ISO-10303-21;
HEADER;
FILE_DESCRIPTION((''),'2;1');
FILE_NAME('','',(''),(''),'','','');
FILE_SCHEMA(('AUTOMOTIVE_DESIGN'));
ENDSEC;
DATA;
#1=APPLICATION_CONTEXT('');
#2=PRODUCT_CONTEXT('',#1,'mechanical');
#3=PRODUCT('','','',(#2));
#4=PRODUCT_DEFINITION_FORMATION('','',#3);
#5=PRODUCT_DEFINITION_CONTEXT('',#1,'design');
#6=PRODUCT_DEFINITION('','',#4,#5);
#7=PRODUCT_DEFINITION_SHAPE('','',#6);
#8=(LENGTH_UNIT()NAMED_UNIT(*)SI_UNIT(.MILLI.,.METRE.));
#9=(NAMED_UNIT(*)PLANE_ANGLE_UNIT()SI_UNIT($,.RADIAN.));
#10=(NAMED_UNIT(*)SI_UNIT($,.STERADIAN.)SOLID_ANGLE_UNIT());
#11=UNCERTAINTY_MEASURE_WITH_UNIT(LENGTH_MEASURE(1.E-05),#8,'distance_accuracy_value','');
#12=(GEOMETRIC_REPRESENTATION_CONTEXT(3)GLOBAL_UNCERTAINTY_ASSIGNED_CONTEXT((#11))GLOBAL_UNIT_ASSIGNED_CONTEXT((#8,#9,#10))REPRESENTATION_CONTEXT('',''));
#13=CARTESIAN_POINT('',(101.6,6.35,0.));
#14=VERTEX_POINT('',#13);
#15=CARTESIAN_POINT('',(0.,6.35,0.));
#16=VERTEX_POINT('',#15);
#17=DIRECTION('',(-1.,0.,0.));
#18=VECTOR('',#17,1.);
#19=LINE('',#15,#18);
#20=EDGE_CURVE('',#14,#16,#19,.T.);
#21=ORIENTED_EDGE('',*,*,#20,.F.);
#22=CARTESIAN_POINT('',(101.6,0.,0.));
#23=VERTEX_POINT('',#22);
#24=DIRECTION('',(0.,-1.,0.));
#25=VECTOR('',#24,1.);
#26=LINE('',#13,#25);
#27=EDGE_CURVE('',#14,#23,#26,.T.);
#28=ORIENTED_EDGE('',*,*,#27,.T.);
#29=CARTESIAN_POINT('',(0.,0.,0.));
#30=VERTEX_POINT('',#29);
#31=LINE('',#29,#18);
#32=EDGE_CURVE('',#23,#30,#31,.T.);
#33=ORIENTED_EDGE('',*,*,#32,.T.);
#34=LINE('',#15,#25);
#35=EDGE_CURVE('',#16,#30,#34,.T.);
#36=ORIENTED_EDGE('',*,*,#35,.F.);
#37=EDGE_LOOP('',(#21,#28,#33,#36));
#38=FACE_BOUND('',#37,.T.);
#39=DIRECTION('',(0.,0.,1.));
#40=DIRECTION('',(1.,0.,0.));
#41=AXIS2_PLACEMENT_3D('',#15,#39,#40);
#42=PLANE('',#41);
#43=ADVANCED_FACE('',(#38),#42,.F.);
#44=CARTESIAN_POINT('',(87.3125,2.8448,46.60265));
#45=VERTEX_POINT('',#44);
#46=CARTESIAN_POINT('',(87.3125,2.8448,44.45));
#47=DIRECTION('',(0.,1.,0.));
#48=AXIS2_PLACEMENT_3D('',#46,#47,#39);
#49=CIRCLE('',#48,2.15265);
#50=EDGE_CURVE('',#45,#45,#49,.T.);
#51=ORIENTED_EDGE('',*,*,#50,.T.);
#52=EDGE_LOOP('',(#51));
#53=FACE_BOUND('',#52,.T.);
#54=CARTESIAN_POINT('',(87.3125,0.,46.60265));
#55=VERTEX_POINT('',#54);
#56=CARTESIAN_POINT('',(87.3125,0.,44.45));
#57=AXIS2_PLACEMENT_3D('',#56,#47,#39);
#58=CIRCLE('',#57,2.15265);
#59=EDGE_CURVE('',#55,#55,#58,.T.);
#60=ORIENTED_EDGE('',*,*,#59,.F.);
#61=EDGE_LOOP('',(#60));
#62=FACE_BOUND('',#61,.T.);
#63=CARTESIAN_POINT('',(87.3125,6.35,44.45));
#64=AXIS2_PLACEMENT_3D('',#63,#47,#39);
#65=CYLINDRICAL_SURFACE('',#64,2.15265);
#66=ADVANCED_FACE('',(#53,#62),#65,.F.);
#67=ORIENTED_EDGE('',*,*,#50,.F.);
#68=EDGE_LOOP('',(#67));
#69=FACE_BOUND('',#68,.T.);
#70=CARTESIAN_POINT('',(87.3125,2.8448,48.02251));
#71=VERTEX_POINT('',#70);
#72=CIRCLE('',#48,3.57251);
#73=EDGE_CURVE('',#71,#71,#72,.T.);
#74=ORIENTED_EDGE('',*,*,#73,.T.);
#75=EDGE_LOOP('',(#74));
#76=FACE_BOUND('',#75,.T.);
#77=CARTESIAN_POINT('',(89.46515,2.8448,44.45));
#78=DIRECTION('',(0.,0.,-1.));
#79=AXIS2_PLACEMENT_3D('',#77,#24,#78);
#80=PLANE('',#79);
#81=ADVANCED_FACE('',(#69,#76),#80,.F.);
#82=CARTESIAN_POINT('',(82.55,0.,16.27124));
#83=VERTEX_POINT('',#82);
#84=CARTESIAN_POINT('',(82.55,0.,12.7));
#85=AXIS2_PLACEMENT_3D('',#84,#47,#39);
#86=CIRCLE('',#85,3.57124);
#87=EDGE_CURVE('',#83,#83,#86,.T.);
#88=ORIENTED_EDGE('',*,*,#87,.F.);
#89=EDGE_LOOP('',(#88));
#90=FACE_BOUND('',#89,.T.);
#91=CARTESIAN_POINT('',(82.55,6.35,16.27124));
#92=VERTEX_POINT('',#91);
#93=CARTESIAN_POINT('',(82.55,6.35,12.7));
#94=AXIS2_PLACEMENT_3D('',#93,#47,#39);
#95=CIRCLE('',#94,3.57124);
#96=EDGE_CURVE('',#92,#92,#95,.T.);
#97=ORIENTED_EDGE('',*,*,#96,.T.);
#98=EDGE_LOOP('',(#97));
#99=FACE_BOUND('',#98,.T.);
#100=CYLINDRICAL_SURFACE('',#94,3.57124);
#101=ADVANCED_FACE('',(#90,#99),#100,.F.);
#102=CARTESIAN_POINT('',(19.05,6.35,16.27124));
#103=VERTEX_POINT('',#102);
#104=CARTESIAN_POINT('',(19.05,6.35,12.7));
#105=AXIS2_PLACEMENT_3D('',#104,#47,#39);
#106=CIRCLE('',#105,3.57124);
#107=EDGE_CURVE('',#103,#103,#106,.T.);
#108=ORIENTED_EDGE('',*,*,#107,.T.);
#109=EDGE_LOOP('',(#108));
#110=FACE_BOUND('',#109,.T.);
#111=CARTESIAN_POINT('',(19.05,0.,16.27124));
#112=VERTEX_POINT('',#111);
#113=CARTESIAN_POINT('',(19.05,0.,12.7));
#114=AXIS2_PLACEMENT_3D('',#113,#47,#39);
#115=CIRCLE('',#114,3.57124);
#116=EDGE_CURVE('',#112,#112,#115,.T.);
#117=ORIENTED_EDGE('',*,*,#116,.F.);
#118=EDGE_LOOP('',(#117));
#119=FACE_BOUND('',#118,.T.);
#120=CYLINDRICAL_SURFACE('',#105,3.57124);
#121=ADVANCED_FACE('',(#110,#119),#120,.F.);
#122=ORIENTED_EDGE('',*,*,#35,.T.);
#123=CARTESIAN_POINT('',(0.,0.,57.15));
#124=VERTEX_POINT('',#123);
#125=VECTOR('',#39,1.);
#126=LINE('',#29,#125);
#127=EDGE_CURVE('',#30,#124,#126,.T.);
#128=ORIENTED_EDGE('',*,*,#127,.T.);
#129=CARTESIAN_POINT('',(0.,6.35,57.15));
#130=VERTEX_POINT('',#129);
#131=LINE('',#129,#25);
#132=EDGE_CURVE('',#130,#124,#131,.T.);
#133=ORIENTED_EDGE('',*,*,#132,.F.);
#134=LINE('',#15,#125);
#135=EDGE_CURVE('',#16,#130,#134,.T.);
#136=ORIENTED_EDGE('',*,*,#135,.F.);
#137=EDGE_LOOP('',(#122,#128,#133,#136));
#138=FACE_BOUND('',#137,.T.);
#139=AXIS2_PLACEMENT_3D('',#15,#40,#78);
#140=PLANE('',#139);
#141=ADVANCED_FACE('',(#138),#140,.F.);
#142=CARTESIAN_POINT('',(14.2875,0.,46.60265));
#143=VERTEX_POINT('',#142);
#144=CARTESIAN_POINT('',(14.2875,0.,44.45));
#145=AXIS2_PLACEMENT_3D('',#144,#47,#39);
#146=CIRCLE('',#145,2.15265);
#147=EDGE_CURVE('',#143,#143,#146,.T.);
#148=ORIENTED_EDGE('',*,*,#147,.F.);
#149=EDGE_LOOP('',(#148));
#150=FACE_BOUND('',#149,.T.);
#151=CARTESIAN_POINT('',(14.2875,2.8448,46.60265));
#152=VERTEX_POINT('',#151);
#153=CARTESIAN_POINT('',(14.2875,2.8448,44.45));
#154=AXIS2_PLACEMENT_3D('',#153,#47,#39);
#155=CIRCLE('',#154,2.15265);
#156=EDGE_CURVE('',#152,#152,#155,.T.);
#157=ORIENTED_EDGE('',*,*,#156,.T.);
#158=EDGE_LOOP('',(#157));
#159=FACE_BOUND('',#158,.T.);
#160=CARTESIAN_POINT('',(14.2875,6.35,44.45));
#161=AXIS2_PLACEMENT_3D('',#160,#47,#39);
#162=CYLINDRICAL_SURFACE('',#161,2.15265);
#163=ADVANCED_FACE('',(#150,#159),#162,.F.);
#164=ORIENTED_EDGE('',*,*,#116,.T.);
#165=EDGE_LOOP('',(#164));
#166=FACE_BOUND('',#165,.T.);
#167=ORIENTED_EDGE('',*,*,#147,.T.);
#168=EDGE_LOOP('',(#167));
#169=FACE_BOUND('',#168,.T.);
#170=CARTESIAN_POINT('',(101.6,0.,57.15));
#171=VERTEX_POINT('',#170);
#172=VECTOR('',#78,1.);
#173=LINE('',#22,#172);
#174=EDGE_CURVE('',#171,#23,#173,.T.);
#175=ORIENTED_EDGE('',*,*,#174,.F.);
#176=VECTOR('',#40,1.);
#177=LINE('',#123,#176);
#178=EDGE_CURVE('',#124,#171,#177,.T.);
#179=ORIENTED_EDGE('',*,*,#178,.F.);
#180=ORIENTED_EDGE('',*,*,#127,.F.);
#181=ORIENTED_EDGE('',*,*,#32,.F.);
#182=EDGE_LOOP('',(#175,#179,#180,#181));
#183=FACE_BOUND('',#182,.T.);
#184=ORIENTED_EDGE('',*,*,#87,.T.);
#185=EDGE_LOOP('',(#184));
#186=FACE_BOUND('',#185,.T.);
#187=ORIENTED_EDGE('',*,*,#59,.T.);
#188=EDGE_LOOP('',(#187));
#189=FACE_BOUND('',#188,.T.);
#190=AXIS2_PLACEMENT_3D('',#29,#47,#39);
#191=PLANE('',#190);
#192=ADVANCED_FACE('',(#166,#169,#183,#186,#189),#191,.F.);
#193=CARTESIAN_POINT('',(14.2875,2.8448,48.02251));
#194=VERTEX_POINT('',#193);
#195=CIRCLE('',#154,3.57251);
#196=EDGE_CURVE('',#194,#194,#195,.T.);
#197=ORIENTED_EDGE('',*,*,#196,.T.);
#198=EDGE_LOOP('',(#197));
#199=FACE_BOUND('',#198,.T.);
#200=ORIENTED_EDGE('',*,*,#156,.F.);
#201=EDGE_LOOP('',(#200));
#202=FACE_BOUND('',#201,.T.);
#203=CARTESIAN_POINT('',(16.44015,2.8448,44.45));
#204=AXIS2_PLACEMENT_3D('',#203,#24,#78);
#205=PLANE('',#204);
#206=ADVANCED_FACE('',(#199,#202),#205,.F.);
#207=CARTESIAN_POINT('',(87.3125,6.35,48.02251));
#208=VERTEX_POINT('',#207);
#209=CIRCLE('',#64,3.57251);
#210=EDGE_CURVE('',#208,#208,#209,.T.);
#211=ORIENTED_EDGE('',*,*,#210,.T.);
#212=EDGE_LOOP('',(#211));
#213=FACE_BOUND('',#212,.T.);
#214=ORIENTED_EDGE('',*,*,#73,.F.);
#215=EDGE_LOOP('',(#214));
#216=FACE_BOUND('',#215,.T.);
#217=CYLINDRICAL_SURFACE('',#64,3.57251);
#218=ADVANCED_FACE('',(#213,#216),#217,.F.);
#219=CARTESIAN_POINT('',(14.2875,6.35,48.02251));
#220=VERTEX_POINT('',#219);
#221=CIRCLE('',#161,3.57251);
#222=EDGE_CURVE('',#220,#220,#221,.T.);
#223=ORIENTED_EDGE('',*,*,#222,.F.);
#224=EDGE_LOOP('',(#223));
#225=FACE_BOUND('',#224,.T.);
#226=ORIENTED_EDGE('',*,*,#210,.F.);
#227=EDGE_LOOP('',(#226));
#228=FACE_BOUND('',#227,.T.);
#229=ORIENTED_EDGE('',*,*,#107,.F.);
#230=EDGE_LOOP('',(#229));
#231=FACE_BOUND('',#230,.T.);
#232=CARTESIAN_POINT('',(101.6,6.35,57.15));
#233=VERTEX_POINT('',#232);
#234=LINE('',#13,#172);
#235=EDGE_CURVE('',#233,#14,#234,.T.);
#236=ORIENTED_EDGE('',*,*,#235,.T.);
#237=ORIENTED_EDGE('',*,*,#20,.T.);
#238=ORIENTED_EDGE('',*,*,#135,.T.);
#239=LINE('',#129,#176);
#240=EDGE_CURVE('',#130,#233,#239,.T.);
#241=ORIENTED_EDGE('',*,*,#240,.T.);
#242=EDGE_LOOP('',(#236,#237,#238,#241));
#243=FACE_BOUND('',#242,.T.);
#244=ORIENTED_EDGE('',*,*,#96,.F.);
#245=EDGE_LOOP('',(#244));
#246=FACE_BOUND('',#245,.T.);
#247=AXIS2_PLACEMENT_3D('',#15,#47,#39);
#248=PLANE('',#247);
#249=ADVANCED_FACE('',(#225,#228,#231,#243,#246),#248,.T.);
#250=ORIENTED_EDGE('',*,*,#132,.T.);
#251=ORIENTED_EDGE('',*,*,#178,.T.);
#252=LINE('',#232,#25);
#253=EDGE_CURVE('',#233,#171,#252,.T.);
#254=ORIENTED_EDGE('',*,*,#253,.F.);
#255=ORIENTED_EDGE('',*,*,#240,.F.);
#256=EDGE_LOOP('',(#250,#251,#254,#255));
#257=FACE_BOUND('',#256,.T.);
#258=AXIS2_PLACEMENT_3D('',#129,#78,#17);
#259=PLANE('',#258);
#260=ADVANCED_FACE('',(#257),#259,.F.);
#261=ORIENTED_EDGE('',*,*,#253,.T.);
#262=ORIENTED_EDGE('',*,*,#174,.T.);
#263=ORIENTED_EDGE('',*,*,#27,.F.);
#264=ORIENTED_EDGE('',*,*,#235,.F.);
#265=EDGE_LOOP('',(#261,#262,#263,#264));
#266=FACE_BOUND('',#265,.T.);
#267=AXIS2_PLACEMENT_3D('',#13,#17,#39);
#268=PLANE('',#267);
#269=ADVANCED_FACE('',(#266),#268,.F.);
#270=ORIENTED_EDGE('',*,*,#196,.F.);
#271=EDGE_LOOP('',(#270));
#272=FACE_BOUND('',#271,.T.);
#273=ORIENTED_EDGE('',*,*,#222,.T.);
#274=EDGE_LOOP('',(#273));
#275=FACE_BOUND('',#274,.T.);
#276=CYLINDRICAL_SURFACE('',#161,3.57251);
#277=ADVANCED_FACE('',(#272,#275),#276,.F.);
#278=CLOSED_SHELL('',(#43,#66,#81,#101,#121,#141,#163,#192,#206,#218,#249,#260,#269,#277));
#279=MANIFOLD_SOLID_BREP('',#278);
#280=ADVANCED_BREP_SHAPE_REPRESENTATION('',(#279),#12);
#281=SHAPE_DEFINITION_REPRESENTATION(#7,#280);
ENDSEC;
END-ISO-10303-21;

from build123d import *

# Parameters (mm, degrees)
SKETCH1_W                                      = 101.6
SKETCH1_H                                      = 57.15
BOSS_EXTRUDE1_DEPTH                            = 6.35
CBORE_FOR_6_SOCKET_HEAD_CAP_SCREW1_D           = 4.3053
CBORE_FOR_6_SOCKET_HEAD_CAP_SCREW1_CBORE_D     = 7.14502
CBORE_FOR_6_SOCKET_HEAD_CAP_SCREW1_CBORE_DEPTH = 3.5052
F_1_4_CLEARANCE_HOLE1_D                        = 7.14248


with BuildPart() as part:
    # Sketch1 → Boss-Extrude1 (new body)
    with BuildSketch(Plane(origin=(0, 0, 0), x_dir=(1, 0, 0), z_dir=(0, 1, 0))):
        with Locations((50.8, -28.575)):
            Rectangle(SKETCH1_W, SKETCH1_H)
    extrude(amount=BOSS_EXTRUDE1_DEPTH)

    # CBORE for #6 Socket Head Cap Screw1 (through all)
    with Locations(Plane(origin=(0, 6.35, 0), x_dir=(1, 0, 0), z_dir=(0, 1, 0))):
        with Locations((14.2875, -44.45), (87.3125, -44.45)):
            CounterBoreHole(CBORE_FOR_6_SOCKET_HEAD_CAP_SCREW1_D / 2, CBORE_FOR_6_SOCKET_HEAD_CAP_SCREW1_CBORE_D / 2, CBORE_FOR_6_SOCKET_HEAD_CAP_SCREW1_CBORE_DEPTH)

    # 1/4 Clearance Hole1 (through all)
    with Locations(Plane(origin=(0, 6.35, 0), x_dir=(1, 0, 0), z_dir=(0, 1, 0))):
        with Locations((19.05, -12.7), (82.55, -12.7)):
            Hole(F_1_4_CLEARANCE_HOLE1_D / 2)


solid = part.part
